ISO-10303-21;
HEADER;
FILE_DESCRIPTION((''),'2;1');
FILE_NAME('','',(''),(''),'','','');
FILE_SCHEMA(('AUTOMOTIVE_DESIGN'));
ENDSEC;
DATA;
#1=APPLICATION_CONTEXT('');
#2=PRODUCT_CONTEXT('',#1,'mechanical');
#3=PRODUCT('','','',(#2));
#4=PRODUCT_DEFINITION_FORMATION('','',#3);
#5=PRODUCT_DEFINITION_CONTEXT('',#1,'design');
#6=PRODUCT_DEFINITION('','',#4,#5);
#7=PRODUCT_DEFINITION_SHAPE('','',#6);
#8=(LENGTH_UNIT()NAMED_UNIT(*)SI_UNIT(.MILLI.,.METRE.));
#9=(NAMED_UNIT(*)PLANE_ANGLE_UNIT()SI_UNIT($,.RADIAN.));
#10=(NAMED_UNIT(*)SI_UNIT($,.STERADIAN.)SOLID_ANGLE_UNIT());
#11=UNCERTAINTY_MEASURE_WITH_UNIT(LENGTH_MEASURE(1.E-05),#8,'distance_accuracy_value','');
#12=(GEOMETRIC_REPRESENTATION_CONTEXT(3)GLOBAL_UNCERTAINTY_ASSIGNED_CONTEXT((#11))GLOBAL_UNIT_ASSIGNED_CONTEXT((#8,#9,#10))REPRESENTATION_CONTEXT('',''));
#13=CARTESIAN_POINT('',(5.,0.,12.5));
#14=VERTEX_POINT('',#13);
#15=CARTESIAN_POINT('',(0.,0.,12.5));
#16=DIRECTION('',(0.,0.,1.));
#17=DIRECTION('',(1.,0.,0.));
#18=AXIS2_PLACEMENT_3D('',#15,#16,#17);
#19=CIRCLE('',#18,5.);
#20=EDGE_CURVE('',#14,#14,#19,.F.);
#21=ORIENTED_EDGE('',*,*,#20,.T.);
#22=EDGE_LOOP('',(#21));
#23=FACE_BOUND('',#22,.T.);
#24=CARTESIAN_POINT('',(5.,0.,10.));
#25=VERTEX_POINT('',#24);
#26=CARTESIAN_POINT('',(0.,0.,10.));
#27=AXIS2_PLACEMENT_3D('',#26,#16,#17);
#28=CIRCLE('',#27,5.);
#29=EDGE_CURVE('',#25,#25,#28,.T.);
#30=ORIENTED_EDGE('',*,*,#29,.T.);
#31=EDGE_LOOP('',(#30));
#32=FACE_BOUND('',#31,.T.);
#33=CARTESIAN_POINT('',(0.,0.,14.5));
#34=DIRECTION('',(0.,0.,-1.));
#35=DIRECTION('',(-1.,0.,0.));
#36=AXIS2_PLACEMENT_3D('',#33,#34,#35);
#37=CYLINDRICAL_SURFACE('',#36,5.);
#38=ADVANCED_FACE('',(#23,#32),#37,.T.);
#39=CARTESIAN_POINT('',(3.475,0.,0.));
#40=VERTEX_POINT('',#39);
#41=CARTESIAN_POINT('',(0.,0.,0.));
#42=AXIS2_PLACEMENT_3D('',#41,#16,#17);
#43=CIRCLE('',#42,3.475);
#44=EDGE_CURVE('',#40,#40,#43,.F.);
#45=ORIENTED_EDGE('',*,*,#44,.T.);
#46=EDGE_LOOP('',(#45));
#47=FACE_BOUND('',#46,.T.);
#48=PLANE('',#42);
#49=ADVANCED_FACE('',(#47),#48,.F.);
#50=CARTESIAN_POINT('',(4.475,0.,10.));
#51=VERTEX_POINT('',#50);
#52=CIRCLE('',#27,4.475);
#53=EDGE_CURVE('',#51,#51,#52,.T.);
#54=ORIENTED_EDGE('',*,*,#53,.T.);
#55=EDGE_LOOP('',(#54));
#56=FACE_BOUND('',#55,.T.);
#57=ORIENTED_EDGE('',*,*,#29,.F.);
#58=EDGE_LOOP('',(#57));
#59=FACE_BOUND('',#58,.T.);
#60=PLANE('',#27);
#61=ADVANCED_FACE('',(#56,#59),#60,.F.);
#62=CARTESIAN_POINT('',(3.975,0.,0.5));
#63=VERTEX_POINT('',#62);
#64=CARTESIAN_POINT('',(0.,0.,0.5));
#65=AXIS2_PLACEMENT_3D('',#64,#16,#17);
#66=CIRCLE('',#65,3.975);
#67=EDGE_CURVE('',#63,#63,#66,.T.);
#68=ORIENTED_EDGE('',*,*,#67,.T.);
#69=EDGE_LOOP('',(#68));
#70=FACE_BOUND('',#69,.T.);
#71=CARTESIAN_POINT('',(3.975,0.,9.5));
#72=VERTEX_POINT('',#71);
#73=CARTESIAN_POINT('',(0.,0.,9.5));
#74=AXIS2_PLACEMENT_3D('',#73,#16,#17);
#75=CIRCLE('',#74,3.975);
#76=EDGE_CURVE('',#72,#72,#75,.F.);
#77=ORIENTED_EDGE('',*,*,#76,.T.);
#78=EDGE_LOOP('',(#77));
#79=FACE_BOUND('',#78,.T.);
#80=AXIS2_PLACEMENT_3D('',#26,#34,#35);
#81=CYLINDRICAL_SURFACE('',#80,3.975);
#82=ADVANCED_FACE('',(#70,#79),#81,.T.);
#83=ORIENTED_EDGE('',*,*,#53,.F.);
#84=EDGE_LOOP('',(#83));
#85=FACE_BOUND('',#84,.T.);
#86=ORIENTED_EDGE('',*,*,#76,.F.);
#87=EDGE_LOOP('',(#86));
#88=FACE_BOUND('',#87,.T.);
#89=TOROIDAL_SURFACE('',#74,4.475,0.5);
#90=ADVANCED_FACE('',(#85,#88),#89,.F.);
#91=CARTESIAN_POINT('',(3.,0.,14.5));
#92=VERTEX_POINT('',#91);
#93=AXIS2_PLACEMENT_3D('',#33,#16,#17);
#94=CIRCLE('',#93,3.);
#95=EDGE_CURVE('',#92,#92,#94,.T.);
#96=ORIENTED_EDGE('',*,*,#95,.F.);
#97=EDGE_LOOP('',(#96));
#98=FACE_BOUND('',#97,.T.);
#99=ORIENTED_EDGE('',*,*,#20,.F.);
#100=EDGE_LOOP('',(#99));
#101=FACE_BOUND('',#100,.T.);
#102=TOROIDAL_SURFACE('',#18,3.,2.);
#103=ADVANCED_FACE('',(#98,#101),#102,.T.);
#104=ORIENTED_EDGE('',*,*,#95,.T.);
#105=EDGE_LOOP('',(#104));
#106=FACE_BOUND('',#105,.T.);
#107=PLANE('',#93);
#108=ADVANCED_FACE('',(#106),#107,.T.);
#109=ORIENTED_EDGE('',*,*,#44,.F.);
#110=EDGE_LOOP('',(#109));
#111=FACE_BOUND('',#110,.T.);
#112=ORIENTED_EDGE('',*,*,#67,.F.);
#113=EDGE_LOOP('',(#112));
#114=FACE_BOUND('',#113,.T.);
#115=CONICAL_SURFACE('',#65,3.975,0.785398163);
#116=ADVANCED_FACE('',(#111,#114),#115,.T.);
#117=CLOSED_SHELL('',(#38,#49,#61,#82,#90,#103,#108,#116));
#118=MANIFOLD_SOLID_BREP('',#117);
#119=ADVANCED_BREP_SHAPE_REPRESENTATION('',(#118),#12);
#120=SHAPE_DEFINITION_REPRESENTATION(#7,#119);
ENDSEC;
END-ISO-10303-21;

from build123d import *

# Parameters (mm, degrees)
SKETCH1_R           = 3.975
BOSS_EXTRUDE1_DEPTH = 10
SKETCH2_R           = 5
BOSS_EXTRUDE2_DEPTH = 4.5
FILLET4_R           = 2
FILLET5_R           = 0.5
CHAMFER1_SIZE       = 0.5


with BuildPart() as part:
    # Sketch1 → Boss-Extrude1 (new body)
    with BuildSketch(Plane.XY):
        Circle(SKETCH1_R)
    extrude(amount=BOSS_EXTRUDE1_DEPTH)

    # Sketch2 → Boss-Extrude2 (add)
    with BuildSketch(Plane.XY.offset(10)):
        Circle(SKETCH2_R)
    extrude(amount=BOSS_EXTRUDE2_DEPTH)

    # Fillet4
    fillet4_edges = [part.edges().sort_by_distance(p)[0] for p in [
        (-5, 0, 14.5),
    ]]
    fillet(fillet4_edges, radius=FILLET4_R)

    # Fillet5
    fillet5_edges = [part.edges().sort_by_distance(p)[0] for p in [
        (-3.975, 0, 10),
    ]]
    fillet(fillet5_edges, radius=FILLET5_R)

    # Chamfer1
    chamfer1_edges = [part.edges().sort_by_distance(p)[0] for p in [
        (-3.975, 0, 0),
    ]]
    chamfer(chamfer1_edges, length=CHAMFER1_SIZE)


solid = part.part
